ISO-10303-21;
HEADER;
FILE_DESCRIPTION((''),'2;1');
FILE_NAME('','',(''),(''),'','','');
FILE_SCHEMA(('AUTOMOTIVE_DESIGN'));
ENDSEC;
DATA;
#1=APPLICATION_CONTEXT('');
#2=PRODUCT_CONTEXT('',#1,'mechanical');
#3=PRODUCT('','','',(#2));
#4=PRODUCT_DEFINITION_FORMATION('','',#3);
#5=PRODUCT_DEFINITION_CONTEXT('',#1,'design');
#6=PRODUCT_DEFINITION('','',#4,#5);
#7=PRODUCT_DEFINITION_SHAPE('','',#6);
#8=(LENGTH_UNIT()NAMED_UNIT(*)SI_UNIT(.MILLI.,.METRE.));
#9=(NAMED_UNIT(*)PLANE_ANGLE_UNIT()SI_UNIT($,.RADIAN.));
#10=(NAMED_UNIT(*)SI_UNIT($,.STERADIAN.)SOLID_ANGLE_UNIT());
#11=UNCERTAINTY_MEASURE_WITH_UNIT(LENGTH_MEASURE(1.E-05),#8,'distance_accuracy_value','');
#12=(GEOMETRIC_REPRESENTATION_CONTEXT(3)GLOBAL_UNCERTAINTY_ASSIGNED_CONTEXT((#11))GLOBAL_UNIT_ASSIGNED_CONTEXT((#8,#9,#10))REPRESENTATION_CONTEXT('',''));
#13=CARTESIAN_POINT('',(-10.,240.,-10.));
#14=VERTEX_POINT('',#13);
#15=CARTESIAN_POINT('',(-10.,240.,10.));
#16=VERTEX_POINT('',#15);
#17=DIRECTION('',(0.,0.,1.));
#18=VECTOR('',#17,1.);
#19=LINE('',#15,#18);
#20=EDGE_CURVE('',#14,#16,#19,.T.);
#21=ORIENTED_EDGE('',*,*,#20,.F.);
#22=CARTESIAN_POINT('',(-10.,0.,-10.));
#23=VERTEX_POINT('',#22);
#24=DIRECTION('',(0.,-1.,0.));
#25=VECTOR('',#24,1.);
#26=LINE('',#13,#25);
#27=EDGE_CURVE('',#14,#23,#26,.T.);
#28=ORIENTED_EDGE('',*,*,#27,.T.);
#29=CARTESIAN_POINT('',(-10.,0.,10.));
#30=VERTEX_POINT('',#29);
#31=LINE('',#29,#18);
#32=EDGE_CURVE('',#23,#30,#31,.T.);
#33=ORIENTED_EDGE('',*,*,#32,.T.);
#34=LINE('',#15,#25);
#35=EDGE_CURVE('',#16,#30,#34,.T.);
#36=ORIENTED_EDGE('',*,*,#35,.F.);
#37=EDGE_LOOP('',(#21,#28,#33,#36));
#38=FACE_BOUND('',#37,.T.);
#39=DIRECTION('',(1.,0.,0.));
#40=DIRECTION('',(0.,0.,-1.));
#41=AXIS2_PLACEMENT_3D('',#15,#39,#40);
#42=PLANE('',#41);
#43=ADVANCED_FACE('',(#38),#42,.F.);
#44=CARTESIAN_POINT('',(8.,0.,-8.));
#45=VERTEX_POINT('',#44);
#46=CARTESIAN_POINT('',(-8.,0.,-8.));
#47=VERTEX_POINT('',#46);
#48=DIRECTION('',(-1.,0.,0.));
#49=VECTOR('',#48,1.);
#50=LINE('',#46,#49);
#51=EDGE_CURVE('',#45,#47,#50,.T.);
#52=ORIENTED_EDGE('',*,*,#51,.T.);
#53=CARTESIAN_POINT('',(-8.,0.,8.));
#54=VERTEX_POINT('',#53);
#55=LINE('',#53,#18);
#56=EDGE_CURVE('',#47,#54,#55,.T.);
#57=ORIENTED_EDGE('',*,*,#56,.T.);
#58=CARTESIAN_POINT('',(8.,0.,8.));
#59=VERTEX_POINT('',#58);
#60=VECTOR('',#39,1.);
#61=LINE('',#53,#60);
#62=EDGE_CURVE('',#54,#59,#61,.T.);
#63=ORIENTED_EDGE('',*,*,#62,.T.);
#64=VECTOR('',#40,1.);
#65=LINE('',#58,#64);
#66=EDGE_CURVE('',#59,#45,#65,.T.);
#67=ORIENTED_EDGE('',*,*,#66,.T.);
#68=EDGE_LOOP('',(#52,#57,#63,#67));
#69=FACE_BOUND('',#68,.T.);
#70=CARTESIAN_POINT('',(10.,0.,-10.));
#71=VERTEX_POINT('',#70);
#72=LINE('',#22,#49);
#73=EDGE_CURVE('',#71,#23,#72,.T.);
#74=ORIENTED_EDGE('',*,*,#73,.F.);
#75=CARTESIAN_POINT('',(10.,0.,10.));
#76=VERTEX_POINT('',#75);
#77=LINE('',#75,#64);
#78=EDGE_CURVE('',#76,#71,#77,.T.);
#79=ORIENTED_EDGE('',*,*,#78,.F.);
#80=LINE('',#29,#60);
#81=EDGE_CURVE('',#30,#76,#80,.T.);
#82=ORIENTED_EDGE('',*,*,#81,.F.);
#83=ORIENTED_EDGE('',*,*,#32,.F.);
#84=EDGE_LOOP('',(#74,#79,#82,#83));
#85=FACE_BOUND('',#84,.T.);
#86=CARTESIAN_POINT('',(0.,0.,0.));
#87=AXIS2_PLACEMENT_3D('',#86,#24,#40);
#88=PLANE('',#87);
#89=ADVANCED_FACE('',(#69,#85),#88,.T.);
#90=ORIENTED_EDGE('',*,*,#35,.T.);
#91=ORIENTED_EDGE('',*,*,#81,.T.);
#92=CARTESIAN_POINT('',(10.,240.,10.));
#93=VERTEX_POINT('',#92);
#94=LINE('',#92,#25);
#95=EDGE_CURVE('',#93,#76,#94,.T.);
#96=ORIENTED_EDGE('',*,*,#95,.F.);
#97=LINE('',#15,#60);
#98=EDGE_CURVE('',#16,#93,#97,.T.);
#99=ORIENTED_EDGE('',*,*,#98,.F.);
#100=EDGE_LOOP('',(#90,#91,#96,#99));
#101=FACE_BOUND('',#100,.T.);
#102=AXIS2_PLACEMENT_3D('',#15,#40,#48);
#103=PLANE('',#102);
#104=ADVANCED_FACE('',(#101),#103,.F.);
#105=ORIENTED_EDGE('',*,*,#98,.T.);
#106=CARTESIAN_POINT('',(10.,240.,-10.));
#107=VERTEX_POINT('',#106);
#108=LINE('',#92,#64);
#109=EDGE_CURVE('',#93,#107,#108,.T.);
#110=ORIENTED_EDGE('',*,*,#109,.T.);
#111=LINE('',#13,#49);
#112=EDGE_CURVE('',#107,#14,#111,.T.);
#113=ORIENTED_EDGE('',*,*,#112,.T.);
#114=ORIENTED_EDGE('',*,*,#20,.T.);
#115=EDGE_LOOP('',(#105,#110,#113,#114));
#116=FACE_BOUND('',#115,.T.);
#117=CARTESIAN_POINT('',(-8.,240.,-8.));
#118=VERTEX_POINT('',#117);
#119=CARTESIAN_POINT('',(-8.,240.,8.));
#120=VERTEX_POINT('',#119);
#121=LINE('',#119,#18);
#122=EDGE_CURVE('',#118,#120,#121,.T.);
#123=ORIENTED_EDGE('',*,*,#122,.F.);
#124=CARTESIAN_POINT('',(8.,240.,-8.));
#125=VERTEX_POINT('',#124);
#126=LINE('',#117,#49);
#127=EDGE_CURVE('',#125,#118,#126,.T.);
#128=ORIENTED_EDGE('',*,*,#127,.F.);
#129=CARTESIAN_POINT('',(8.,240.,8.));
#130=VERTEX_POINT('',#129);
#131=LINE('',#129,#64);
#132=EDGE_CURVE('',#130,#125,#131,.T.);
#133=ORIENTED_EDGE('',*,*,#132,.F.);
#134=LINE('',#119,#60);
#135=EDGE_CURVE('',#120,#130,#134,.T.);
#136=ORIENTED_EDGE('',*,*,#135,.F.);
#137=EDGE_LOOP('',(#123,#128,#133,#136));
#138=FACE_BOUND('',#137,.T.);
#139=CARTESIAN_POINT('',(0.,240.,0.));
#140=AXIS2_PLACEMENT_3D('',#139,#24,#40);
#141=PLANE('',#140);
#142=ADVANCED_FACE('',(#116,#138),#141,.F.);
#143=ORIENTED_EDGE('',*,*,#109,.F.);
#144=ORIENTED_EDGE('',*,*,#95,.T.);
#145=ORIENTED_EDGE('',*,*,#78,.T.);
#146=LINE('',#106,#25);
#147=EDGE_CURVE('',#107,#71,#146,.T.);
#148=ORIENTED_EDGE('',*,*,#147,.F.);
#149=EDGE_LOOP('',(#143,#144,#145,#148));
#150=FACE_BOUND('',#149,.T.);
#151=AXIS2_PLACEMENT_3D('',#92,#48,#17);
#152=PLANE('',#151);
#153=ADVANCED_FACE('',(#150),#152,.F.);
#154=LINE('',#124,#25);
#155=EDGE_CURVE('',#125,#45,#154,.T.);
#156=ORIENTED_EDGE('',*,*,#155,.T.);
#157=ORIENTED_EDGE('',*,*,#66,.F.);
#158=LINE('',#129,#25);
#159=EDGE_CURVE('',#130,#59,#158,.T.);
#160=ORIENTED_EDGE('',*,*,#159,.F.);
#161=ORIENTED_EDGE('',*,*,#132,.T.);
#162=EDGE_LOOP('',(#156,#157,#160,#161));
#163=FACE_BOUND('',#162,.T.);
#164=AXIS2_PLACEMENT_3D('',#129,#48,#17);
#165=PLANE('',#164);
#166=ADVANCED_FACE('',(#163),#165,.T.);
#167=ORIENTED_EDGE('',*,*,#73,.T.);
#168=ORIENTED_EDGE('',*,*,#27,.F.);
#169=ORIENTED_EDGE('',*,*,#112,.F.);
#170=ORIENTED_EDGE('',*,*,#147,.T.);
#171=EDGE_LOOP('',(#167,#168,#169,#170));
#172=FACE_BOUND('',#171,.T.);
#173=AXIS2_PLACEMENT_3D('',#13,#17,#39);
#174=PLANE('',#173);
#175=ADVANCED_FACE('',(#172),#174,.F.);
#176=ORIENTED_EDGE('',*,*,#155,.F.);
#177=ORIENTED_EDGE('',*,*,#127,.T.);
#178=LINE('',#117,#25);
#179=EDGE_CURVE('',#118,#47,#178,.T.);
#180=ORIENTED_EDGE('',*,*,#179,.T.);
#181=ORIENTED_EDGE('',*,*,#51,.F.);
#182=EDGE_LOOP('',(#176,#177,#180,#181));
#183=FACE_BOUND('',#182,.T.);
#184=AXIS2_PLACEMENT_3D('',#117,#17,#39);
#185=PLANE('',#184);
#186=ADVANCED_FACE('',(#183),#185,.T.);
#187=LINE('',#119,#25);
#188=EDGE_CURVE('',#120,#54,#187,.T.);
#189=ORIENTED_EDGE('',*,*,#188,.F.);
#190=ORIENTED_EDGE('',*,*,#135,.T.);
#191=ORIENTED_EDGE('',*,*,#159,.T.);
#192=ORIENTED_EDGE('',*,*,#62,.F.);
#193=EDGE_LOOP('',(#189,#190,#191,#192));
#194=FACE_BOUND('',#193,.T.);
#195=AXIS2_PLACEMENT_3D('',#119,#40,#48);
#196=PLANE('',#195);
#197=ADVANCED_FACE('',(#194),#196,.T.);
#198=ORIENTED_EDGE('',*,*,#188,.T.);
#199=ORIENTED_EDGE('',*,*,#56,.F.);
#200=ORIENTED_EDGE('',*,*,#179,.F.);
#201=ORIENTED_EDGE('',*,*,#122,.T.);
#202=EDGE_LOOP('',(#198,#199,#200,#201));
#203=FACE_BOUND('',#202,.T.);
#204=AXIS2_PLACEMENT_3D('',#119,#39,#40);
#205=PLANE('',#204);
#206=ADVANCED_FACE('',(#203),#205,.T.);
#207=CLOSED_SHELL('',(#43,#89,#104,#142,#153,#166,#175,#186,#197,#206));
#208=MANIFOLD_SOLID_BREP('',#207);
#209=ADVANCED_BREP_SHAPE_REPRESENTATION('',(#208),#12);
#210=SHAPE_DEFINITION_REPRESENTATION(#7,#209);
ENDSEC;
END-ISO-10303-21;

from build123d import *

# Parameters (mm, degrees)
SKETCH1_W           = 20
SKETCH1_H           = 20
SKETCH1_W_2         = 16
SKETCH1_H_2         = 16
BOSS_EXTRUDE1_DEPTH = 240


with BuildPart() as part:
    # Sketch1 → Boss-Extrude1 (new body)
    with BuildSketch(Plane(origin=(0, 0, 0), x_dir=(1, 0, 0), z_dir=(0, 1, 0))):
        Rectangle(SKETCH1_W, SKETCH1_H)
        Rectangle(SKETCH1_W_2, SKETCH1_H_2, mode=Mode.SUBTRACT)
    extrude(amount=BOSS_EXTRUDE1_DEPTH)


solid = part.part
